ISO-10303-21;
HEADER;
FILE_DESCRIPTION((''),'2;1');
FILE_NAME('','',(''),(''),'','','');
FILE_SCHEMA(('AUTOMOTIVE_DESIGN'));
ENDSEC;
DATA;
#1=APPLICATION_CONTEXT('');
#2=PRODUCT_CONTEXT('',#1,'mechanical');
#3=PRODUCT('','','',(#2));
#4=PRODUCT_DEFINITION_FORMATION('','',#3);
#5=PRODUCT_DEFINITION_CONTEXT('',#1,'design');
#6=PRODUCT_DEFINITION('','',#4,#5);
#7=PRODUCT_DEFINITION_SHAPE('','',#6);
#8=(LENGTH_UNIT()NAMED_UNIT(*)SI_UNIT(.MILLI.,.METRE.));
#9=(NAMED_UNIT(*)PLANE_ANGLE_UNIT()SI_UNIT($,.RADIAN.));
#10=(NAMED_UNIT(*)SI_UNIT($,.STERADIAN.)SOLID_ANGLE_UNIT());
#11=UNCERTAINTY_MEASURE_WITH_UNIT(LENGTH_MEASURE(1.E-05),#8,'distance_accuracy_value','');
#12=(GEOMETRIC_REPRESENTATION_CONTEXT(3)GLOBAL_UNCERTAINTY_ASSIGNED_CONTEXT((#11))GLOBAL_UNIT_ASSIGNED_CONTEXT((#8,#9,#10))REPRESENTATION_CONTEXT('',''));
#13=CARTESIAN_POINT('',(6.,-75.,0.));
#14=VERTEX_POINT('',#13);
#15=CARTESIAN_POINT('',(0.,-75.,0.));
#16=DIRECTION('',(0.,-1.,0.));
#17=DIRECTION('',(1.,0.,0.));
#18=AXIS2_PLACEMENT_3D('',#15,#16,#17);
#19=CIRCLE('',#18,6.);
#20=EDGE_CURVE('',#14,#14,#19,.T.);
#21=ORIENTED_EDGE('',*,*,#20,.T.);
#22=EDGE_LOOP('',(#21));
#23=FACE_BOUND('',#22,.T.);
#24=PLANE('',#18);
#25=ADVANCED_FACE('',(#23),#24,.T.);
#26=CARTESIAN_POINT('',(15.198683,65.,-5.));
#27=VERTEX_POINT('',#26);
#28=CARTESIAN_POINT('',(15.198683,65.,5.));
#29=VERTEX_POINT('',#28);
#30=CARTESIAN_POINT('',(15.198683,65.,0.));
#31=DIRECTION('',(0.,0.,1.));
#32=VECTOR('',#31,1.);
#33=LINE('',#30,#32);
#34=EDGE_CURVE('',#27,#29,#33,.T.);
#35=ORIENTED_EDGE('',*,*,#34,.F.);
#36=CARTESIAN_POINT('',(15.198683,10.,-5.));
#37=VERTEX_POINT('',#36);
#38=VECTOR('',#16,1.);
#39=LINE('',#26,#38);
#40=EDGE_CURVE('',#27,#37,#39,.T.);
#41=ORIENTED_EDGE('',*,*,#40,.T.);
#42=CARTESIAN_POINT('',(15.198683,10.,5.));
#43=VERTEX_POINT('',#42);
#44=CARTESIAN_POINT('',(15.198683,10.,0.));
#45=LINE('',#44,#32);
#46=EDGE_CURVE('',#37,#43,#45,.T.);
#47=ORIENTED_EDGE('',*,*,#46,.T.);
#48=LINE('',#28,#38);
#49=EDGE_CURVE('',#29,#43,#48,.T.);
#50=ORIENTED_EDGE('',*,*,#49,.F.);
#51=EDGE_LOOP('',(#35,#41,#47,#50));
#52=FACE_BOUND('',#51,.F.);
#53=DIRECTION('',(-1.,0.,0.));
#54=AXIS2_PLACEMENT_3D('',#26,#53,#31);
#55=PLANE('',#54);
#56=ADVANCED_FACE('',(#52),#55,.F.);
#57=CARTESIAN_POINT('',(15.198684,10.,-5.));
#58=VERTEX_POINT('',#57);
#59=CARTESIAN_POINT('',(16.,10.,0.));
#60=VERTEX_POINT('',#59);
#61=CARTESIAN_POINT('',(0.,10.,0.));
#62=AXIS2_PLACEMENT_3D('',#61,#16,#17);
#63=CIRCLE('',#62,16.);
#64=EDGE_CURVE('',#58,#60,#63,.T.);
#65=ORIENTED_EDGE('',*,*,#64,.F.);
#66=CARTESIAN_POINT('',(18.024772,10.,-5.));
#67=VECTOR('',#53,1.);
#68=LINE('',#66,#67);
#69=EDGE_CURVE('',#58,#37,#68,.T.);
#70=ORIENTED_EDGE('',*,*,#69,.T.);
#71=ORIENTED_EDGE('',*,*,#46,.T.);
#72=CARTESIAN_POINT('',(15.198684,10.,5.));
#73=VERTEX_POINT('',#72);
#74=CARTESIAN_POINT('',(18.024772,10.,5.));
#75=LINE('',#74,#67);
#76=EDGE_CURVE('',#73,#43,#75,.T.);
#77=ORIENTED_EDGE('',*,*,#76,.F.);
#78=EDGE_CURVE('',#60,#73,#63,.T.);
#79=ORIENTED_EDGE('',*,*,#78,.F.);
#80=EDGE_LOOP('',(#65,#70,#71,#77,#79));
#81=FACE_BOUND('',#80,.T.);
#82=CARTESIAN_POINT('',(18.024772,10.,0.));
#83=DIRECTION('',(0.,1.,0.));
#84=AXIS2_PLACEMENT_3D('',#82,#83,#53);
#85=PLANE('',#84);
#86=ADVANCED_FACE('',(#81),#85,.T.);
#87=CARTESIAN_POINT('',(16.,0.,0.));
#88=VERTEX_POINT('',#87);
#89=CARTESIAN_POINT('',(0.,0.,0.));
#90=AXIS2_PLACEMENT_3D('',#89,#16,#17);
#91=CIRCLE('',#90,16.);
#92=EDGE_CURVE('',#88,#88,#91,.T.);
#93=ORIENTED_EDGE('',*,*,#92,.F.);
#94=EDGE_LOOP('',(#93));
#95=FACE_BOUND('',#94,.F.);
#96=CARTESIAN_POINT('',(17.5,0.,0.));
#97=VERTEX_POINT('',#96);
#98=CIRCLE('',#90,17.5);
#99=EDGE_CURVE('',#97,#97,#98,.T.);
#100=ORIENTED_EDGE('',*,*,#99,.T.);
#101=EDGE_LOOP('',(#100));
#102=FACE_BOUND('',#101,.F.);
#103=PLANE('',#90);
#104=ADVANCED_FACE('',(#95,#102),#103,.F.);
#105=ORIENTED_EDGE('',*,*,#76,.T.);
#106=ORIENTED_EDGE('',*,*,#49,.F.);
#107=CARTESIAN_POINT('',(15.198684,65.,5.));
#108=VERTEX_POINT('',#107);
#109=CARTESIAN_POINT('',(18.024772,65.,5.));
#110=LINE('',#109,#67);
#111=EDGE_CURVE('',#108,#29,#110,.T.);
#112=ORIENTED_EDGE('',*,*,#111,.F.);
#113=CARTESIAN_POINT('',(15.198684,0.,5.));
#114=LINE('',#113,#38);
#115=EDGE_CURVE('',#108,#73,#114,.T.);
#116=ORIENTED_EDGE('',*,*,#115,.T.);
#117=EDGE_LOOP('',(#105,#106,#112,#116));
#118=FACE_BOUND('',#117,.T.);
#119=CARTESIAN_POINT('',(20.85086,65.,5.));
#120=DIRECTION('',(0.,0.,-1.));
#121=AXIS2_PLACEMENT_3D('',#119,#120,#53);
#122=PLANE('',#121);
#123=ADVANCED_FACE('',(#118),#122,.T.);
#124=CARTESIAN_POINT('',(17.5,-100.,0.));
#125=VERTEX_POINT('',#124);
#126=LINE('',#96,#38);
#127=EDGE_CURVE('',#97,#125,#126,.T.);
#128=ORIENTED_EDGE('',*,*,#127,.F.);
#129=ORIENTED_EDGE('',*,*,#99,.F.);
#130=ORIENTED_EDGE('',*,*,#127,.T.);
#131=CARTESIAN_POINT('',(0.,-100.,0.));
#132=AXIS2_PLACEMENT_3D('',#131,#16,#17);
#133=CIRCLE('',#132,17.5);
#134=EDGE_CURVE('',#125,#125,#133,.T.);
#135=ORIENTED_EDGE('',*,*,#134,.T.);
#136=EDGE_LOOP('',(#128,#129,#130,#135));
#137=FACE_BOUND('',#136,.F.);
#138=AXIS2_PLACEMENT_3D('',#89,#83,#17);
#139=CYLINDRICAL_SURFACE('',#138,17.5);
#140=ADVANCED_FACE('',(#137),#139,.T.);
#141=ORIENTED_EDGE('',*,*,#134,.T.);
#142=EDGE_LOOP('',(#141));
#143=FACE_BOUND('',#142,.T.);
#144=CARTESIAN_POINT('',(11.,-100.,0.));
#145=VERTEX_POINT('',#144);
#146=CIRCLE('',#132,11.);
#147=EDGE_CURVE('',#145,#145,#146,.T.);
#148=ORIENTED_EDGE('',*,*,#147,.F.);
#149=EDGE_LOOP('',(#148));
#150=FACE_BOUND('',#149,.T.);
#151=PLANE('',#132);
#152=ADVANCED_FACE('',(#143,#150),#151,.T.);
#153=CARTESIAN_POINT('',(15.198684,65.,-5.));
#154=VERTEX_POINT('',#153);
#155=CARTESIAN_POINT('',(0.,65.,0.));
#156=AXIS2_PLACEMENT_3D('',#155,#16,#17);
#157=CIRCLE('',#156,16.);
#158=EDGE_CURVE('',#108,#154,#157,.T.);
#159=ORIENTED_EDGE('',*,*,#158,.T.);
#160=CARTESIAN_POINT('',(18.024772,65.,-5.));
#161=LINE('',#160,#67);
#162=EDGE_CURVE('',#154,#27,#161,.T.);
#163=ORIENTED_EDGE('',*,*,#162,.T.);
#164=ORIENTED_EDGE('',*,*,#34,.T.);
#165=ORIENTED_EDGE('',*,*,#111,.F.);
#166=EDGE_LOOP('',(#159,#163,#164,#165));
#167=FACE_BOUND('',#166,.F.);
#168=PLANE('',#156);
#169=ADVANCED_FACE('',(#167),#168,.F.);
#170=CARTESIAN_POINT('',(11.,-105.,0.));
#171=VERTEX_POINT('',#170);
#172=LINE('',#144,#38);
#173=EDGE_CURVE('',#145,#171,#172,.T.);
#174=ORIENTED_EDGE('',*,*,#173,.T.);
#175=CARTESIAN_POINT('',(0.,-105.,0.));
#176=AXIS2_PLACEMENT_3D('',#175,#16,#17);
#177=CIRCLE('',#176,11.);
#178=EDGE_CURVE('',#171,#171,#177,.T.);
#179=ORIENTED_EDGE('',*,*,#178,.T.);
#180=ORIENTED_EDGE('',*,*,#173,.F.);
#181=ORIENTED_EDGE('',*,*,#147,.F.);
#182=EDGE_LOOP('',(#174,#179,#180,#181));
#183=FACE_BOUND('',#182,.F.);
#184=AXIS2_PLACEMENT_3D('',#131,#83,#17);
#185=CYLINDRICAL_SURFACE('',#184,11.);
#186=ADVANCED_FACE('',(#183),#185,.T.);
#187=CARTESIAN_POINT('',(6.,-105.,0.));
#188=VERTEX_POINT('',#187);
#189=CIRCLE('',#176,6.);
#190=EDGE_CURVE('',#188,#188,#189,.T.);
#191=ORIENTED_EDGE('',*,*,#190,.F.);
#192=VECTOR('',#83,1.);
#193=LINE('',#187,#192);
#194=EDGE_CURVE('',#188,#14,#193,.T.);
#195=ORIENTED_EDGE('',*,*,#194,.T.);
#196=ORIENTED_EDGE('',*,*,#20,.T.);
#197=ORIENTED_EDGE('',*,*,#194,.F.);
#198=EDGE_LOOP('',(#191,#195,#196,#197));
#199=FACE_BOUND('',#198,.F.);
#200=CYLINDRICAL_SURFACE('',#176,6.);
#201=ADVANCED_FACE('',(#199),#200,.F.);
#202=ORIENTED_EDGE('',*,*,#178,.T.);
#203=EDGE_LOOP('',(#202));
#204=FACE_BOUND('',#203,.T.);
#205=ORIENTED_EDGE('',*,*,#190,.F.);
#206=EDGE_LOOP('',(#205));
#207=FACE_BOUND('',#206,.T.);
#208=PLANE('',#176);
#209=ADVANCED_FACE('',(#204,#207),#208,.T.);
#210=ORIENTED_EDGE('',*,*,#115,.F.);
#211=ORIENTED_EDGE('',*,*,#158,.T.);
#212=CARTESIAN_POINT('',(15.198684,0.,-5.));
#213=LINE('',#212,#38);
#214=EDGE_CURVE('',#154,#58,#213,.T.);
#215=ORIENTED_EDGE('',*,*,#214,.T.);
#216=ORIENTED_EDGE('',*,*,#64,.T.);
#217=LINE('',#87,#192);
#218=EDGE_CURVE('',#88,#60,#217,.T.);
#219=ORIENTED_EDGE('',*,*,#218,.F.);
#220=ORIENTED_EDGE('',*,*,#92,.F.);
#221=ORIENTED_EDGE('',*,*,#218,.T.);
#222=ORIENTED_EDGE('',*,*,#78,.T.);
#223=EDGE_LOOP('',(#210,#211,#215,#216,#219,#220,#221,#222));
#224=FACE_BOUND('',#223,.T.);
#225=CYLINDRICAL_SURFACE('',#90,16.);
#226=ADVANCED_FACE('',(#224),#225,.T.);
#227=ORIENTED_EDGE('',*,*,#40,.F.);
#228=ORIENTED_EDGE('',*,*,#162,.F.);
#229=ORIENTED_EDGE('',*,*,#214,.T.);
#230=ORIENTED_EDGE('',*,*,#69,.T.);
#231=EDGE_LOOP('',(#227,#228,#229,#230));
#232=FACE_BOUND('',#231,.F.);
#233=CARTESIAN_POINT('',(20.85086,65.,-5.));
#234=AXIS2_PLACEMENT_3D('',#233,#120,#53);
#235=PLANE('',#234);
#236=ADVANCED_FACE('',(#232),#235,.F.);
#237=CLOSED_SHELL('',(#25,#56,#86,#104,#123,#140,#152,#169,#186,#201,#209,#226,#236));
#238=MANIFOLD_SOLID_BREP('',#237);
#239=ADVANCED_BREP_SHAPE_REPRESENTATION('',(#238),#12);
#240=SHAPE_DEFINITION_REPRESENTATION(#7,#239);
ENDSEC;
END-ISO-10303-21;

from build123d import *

# Parameters (mm, degrees)
F0_R     = 17.5
F1_DEPTH = 100
F2_R     = 11
F3_DEPTH = 5
F4_R     = 6
F5_DEPTH = 30
F6_R     = 16
F7_DEPTH = 65
F8_W     = 5.652177
F8_H     = 10
F9_DEPTH = 55


with BuildPart() as f1:
    # F0 (on Front) → F1 (new body)
    with BuildSketch(Plane.XZ):
        Circle(F0_R)
    extrude(amount=F1_DEPTH)

    # F2 (on face) → F3 (join)
    with BuildSketch(Plane.XZ.offset(100)):
        Circle(F2_R)
    extrude(amount=F3_DEPTH)

    # F4 (on face) → F5 (cut)
    with BuildSketch(Plane.XZ.offset(105)):
        Circle(F4_R)
    extrude(amount=-F5_DEPTH, mode=Mode.SUBTRACT)

    # F6 (on Front) → F7 (join)
    with BuildSketch(Plane.XZ):
        Circle(F6_R)
    extrude(amount=-F7_DEPTH)

    # F8 (on face) → F9 (cut)
    with BuildSketch(Plane(origin=(0, 65, 0), x_dir=(-1, 0, 0), z_dir=(0, 1, 0))):
        with Locations((-18.024772, 0)):
            Rectangle(F8_W, F8_H)
    extrude(amount=-F9_DEPTH, mode=Mode.SUBTRACT)


solid = f1.part
